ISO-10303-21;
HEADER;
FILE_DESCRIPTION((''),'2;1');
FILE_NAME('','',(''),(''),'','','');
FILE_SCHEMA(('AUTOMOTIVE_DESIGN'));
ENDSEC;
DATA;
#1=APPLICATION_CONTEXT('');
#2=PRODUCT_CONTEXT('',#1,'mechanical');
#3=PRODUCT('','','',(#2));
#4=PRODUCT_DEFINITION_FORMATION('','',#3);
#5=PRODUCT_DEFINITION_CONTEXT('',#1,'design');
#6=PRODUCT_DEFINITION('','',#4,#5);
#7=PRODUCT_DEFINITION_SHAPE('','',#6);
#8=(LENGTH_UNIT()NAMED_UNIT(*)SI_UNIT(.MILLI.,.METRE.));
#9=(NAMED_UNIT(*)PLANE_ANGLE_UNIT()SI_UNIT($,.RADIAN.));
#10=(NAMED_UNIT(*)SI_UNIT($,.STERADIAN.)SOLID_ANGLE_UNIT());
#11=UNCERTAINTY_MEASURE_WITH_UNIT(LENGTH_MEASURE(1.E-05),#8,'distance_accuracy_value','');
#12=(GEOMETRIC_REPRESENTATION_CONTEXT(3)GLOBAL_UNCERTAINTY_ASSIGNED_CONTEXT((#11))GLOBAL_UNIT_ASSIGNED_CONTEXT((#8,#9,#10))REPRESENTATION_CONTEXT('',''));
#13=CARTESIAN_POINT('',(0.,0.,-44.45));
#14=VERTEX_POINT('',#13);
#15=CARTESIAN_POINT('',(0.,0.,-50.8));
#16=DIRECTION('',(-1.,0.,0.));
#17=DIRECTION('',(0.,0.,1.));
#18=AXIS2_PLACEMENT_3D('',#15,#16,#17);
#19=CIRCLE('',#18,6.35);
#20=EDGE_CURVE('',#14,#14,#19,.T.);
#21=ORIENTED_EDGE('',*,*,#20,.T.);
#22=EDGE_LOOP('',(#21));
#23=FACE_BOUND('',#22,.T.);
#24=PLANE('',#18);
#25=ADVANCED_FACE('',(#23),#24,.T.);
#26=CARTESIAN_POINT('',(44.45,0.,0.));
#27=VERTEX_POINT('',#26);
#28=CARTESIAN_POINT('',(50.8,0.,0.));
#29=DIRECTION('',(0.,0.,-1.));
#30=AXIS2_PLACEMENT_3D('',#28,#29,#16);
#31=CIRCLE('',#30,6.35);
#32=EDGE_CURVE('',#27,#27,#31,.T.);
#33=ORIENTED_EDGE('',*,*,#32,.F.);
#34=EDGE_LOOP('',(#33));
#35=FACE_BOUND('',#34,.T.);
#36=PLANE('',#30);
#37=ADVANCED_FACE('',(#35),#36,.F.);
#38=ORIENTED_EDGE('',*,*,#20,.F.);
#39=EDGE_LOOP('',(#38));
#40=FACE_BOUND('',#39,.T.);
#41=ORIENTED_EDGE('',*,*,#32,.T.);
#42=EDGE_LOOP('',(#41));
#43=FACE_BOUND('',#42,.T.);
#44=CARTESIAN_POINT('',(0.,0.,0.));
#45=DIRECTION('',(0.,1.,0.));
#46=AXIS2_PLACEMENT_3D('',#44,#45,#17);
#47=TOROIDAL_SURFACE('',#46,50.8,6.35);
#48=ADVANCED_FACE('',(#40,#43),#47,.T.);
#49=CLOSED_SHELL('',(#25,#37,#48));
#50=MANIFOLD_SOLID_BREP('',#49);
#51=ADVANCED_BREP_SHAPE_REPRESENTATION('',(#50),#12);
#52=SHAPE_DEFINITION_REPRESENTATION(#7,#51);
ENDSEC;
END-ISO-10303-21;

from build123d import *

# Parameters (mm, degrees)
SWEEP1_PROFILE_R = 6.35


with BuildPart() as part:
    # Sweep1: sweep along a path in Sketch1
    with BuildLine(Plane(origin=(0, 0, 0), x_dir=(1, 0, 0), z_dir=(0, 1, 0))) as sweep1_path:
        ThreePointArc((50.8, 0), (35.921024484, 35.921024484), (0, 50.8))
    # Sweep1 profile (on start of the path) → Sweep1 (sweep)
    with BuildSketch(Plane(origin=(50.8, 0, 0), x_dir=(-1, 0, 0), z_dir=(0, 0, -1))):
        Circle(SWEEP1_PROFILE_R)
    sweep(path=sweep1_path.line)


solid = part.part
